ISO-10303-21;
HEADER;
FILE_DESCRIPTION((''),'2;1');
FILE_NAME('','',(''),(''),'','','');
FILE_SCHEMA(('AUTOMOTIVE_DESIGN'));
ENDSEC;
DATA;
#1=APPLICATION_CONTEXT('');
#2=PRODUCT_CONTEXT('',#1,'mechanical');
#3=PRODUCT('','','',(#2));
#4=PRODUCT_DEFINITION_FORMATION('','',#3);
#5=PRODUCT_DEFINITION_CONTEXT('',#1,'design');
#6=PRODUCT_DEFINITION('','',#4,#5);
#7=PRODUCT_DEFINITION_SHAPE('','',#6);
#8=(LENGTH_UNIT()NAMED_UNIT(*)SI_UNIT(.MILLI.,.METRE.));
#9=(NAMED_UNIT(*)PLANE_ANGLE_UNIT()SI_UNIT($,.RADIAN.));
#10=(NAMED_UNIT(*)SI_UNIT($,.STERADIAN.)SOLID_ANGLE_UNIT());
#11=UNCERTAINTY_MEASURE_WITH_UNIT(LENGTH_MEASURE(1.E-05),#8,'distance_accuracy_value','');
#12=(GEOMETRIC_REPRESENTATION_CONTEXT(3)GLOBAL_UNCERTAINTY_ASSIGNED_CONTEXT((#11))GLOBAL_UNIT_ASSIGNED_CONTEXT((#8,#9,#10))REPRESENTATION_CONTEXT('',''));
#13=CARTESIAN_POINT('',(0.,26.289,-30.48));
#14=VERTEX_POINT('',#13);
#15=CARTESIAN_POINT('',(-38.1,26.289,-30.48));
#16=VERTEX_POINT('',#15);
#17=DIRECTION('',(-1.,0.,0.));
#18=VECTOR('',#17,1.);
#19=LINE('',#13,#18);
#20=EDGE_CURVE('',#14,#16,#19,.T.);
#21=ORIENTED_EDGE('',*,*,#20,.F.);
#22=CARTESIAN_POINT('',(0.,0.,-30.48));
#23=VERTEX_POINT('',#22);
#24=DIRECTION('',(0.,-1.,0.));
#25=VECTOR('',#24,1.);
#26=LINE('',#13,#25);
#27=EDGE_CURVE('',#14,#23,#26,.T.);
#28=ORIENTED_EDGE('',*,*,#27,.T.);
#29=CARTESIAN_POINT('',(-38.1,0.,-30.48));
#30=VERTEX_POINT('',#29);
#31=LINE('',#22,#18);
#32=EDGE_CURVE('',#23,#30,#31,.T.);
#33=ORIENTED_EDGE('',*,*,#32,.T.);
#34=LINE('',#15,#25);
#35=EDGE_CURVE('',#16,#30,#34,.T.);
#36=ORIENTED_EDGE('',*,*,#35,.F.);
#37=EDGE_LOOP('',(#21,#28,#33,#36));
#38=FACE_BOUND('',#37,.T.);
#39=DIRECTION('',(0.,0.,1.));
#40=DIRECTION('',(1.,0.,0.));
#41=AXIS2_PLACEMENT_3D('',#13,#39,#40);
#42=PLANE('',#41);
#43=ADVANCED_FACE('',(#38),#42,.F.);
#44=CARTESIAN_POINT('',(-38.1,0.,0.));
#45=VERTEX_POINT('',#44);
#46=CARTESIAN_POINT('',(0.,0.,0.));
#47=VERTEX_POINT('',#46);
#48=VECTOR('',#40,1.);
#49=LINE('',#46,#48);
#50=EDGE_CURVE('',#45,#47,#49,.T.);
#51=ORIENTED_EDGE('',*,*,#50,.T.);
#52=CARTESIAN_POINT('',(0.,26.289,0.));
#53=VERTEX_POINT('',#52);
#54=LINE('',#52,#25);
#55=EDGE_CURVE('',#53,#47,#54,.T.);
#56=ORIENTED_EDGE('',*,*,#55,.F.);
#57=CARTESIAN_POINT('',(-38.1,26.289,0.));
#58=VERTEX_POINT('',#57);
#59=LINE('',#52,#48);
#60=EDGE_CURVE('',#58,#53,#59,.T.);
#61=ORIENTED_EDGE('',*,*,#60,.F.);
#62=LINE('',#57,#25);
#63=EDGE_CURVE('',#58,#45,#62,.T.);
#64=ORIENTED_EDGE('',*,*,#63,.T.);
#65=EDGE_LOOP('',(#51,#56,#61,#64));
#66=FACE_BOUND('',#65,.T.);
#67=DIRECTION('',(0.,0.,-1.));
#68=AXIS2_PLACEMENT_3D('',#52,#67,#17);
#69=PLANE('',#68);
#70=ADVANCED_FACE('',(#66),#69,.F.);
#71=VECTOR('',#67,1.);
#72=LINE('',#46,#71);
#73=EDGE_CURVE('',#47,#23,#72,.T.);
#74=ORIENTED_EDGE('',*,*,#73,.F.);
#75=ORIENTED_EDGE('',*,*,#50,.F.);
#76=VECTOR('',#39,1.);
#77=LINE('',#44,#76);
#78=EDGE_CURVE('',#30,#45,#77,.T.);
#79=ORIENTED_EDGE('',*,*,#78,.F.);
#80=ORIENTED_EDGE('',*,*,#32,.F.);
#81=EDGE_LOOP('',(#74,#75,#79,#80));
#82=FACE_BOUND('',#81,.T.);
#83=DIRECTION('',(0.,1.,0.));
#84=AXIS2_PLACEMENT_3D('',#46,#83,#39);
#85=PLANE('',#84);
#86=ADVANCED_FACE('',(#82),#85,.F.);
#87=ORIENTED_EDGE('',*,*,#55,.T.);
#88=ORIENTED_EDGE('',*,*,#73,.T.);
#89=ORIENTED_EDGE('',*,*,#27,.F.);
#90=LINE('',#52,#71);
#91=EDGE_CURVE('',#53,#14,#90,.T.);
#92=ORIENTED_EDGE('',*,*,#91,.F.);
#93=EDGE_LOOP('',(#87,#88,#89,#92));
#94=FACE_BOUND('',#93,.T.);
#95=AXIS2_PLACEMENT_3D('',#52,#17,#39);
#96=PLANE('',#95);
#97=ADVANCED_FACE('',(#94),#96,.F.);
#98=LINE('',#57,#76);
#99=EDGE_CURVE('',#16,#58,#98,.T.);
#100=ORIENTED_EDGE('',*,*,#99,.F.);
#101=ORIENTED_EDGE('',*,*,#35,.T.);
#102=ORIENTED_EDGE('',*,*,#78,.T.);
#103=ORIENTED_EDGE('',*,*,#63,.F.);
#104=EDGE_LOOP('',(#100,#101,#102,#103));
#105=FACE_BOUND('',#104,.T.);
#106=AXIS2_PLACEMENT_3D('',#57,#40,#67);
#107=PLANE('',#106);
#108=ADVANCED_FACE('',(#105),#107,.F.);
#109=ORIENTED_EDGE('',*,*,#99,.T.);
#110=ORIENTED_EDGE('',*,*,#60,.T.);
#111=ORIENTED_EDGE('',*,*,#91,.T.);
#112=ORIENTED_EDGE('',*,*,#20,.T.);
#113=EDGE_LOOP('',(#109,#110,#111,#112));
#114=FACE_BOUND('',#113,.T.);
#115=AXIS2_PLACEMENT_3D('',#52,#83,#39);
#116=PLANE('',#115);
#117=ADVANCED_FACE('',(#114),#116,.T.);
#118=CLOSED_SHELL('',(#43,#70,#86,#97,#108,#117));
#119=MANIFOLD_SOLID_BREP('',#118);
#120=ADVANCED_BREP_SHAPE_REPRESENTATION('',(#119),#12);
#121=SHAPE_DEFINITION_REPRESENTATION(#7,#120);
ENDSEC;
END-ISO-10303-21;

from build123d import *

# Parameters (mm, degrees)
SKETCH1_W           = 38.1
SKETCH1_H           = 30.48
BOSS_EXTRUDE1_DEPTH = 26.289


with BuildPart() as part:
    # Sketch1 → Boss-Extrude1 (new body)
    with BuildSketch(Plane(origin=(0, 0, 0), x_dir=(1, 0, 0), z_dir=(0, 1, 0))):
        with Locations((-19.05, 15.24)):
            Rectangle(SKETCH1_W, SKETCH1_H)
    extrude(amount=BOSS_EXTRUDE1_DEPTH)


solid = part.part
